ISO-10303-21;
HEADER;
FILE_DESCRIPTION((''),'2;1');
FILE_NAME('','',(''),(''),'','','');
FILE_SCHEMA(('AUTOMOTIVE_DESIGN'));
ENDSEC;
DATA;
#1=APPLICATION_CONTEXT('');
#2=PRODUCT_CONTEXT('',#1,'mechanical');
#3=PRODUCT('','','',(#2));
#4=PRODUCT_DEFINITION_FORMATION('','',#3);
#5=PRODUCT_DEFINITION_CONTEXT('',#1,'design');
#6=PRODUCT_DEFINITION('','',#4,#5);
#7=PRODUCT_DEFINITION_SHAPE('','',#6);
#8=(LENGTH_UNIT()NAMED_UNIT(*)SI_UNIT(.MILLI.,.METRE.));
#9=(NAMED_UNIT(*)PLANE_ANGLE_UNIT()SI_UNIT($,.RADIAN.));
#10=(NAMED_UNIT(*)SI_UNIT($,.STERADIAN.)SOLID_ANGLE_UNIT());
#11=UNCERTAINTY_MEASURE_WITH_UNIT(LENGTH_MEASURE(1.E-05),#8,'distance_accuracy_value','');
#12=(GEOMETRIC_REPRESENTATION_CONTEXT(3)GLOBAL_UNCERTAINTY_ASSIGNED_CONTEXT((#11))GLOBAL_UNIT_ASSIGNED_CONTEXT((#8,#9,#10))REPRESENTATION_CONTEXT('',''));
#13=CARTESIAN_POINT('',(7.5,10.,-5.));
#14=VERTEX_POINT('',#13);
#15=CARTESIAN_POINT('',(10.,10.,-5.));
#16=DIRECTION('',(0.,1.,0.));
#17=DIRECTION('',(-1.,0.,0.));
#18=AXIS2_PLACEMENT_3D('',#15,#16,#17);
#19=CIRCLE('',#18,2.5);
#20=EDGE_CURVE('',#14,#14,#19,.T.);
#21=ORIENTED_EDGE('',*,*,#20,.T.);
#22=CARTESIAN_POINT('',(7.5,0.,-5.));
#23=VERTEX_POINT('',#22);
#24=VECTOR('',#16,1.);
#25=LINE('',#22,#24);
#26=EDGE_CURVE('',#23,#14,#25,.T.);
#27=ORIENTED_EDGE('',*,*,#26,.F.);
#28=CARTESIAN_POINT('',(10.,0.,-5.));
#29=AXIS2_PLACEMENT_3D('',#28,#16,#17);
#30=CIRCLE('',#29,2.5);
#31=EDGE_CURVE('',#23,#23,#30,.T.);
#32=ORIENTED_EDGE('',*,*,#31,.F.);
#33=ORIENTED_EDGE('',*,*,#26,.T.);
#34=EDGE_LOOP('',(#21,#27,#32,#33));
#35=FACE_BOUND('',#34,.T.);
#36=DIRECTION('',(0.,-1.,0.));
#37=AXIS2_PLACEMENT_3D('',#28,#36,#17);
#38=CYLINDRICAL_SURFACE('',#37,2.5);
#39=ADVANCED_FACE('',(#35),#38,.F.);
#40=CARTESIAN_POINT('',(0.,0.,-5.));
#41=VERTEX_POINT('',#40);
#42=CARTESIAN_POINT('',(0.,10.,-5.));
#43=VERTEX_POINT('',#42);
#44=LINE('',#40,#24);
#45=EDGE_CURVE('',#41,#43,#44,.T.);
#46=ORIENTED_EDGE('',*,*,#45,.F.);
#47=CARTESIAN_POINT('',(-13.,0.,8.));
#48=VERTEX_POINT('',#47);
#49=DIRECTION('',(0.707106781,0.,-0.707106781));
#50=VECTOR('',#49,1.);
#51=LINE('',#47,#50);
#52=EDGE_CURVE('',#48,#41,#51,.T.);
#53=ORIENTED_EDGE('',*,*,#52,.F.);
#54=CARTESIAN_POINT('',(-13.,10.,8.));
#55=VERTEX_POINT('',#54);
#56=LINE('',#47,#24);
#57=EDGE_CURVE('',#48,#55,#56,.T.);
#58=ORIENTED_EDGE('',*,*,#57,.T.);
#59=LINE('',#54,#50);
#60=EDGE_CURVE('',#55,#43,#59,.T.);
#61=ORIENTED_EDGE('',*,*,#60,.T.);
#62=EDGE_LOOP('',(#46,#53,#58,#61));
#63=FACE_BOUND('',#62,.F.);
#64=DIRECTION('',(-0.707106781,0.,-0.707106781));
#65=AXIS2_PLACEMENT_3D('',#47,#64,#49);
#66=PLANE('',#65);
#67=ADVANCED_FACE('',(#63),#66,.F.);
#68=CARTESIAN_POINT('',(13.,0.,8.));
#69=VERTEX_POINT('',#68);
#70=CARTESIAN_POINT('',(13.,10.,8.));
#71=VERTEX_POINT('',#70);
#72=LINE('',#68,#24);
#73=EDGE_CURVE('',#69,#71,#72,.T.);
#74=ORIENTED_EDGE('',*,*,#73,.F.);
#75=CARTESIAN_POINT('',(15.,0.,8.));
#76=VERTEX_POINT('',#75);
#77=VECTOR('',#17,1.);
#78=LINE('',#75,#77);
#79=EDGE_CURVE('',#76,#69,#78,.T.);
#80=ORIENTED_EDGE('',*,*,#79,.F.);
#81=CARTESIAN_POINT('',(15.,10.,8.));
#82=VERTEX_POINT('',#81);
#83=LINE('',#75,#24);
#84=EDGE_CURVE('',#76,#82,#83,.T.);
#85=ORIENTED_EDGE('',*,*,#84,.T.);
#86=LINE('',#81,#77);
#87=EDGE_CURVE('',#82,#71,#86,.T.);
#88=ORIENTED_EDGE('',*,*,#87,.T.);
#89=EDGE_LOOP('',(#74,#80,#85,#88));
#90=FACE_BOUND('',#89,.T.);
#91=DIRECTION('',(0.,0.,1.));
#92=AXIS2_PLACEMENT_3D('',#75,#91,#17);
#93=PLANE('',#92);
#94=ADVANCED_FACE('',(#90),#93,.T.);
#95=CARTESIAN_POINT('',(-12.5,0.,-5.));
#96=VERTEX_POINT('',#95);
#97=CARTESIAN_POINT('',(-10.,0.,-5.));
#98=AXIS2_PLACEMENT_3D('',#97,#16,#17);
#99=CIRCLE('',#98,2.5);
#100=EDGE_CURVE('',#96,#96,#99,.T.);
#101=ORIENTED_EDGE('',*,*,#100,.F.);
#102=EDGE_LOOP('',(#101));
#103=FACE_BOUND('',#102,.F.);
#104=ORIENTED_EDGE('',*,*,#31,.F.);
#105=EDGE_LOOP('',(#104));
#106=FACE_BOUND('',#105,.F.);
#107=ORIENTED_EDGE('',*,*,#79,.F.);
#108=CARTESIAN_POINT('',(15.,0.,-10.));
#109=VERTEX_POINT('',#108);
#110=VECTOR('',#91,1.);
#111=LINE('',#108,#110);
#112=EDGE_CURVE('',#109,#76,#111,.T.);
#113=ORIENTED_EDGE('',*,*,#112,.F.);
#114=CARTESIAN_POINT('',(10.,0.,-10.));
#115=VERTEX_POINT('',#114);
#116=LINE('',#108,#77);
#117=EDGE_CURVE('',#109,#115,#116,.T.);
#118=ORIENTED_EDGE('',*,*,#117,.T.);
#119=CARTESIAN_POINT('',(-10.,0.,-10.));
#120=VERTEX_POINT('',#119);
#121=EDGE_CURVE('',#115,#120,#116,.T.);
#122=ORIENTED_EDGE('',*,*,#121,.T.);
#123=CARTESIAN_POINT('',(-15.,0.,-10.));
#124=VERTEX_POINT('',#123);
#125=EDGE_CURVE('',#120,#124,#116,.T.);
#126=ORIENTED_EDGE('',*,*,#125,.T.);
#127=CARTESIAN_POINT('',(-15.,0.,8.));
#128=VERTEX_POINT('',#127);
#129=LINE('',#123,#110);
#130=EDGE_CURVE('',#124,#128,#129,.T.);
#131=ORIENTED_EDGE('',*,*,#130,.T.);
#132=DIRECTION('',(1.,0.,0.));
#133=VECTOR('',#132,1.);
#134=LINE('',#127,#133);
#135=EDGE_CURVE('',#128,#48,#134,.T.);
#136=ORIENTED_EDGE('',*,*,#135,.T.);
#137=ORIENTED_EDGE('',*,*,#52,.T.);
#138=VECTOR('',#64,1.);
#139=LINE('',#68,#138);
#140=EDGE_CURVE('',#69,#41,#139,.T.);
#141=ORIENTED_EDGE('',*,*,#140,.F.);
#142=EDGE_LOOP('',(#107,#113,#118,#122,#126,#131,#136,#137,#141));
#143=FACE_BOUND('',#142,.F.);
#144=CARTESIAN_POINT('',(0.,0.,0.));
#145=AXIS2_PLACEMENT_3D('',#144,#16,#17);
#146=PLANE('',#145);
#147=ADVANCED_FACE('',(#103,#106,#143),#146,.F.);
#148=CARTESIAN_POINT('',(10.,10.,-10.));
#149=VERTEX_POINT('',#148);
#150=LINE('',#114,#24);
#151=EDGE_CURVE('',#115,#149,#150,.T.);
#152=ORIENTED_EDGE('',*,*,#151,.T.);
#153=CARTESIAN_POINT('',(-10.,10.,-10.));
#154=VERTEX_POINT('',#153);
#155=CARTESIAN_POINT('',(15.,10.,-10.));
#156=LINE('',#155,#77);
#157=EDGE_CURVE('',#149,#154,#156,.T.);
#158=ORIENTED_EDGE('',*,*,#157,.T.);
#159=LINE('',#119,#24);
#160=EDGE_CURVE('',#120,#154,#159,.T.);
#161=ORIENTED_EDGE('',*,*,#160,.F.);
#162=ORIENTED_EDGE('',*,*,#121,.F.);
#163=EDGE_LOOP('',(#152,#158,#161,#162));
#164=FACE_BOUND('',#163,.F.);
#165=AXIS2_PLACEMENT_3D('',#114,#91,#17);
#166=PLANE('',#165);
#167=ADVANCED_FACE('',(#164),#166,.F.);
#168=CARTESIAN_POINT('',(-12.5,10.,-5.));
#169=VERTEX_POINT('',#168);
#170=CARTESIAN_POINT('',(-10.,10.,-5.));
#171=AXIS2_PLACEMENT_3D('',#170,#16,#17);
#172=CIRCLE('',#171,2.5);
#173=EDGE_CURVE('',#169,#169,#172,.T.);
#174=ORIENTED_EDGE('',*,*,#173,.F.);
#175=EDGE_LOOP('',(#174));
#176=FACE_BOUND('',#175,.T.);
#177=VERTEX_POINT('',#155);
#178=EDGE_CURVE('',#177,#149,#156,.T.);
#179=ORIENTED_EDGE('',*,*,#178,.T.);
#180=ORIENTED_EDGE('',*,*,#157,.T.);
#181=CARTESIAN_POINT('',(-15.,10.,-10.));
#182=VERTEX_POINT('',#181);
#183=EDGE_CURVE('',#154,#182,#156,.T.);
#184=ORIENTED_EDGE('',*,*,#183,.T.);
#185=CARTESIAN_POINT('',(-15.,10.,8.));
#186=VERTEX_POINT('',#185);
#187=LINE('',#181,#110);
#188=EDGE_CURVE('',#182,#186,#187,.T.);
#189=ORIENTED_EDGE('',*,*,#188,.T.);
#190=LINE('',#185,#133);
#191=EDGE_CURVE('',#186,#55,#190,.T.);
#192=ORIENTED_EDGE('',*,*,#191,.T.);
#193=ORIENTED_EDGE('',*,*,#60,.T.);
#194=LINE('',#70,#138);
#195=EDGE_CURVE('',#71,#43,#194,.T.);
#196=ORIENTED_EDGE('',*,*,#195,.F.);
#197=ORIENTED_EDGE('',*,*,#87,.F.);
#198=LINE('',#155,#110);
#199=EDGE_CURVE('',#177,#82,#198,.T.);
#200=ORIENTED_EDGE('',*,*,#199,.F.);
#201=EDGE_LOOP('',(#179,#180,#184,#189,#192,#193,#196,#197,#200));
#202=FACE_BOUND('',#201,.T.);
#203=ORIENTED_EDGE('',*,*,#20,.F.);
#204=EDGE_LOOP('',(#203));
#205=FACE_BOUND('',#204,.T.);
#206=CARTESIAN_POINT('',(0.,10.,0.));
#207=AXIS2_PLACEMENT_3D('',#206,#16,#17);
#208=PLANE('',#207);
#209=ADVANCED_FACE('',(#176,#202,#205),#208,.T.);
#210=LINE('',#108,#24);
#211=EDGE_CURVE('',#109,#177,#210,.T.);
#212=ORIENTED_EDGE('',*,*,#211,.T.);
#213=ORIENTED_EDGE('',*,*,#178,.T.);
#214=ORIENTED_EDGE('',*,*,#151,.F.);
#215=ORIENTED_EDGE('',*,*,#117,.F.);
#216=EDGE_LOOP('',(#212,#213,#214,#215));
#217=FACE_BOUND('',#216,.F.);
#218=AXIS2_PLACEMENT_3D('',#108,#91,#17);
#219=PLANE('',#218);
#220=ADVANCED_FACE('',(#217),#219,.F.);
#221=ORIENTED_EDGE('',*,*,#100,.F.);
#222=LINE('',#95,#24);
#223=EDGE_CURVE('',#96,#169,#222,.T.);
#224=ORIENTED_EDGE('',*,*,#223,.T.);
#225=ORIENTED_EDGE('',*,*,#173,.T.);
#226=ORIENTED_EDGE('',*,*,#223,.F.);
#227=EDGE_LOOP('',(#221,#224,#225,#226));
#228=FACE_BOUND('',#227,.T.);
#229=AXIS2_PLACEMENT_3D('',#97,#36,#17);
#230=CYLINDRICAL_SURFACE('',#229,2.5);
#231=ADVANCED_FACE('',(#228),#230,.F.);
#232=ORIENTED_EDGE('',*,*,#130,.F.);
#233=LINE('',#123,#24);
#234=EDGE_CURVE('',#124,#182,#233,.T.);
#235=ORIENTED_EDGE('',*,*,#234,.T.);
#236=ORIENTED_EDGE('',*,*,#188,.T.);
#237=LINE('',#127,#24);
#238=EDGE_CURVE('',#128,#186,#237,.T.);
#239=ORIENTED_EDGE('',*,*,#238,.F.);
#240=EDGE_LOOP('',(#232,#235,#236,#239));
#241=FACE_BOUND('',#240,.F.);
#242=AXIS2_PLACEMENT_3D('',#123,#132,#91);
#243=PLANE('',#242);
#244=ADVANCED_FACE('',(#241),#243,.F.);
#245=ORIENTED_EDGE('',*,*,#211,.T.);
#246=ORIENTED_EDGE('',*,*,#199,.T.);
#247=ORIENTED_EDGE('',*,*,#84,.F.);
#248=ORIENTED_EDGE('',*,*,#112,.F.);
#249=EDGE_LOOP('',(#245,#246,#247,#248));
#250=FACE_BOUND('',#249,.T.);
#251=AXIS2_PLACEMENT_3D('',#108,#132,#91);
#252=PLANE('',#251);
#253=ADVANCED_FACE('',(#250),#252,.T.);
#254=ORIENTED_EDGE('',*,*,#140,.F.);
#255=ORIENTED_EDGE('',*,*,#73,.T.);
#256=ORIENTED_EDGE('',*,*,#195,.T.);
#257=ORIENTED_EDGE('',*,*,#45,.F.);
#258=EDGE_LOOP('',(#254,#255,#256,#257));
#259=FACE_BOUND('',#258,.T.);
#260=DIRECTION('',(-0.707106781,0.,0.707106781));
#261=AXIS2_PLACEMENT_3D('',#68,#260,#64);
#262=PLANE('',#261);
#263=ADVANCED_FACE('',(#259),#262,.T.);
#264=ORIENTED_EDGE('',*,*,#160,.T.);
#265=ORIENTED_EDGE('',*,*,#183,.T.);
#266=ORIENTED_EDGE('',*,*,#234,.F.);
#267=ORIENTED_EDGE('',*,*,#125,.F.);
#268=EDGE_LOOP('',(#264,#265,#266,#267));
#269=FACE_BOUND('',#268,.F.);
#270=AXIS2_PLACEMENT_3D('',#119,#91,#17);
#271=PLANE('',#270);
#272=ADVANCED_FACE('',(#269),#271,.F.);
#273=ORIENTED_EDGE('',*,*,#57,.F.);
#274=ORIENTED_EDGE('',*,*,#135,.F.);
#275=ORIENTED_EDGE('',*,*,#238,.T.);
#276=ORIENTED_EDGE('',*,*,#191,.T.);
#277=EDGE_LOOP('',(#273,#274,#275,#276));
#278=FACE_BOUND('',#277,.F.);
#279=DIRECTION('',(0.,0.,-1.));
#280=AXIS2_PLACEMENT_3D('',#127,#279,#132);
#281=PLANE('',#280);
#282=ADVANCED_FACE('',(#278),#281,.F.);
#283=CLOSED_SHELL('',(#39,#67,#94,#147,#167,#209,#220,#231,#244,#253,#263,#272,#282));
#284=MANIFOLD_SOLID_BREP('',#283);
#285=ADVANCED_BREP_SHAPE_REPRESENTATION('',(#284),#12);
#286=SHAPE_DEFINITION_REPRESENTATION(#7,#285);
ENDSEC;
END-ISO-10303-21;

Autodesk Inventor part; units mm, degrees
ref_plane "YZ Plane" through (0, 0, 0) normal (1, 0, 0) x (0, 1, 0)
ref_plane "XZ Plane" through (0, 0, 0) normal (0, 1, 0) x (-1, 0, 0)
ref_plane "XY Plane" through (0, 0, 0) normal (0, 0, 1) x (1, 0, 0)
sketch "Boceto1" plane through (0, 0, 0) normal (0, 1, 0) x (-1, 0, 0)
  line L0 (-15, -10) -> (15, -10)
  line L1 (13, 8) -> (0, -5)
  line L2 (-13, 8) -> (0, -5)
  line L3 (-15, 8) -> (-13, 8)
  line L4 (15, 8) -> (13, 8)
  line L5 (15, -10) -> (15, 8)
  line L6 (-15, -10) -> (-15, 8)
  line L7 (15, -10) -> (10, -10)
  line L8 (-15, -10) -> (-10, -10)
  circle A0 centre (-10, -5) radius 2.5
  circle A1 centre (10, -5) radius 2.5
  point P0 (0, 0)
  dimension "d5" = 5
  dimension "d8" = 5
  dimension "d9" = 5
extrude "Extrusión1" add sketch "Boceto1" along normal blind 10
properties part number "_3DPrint"
